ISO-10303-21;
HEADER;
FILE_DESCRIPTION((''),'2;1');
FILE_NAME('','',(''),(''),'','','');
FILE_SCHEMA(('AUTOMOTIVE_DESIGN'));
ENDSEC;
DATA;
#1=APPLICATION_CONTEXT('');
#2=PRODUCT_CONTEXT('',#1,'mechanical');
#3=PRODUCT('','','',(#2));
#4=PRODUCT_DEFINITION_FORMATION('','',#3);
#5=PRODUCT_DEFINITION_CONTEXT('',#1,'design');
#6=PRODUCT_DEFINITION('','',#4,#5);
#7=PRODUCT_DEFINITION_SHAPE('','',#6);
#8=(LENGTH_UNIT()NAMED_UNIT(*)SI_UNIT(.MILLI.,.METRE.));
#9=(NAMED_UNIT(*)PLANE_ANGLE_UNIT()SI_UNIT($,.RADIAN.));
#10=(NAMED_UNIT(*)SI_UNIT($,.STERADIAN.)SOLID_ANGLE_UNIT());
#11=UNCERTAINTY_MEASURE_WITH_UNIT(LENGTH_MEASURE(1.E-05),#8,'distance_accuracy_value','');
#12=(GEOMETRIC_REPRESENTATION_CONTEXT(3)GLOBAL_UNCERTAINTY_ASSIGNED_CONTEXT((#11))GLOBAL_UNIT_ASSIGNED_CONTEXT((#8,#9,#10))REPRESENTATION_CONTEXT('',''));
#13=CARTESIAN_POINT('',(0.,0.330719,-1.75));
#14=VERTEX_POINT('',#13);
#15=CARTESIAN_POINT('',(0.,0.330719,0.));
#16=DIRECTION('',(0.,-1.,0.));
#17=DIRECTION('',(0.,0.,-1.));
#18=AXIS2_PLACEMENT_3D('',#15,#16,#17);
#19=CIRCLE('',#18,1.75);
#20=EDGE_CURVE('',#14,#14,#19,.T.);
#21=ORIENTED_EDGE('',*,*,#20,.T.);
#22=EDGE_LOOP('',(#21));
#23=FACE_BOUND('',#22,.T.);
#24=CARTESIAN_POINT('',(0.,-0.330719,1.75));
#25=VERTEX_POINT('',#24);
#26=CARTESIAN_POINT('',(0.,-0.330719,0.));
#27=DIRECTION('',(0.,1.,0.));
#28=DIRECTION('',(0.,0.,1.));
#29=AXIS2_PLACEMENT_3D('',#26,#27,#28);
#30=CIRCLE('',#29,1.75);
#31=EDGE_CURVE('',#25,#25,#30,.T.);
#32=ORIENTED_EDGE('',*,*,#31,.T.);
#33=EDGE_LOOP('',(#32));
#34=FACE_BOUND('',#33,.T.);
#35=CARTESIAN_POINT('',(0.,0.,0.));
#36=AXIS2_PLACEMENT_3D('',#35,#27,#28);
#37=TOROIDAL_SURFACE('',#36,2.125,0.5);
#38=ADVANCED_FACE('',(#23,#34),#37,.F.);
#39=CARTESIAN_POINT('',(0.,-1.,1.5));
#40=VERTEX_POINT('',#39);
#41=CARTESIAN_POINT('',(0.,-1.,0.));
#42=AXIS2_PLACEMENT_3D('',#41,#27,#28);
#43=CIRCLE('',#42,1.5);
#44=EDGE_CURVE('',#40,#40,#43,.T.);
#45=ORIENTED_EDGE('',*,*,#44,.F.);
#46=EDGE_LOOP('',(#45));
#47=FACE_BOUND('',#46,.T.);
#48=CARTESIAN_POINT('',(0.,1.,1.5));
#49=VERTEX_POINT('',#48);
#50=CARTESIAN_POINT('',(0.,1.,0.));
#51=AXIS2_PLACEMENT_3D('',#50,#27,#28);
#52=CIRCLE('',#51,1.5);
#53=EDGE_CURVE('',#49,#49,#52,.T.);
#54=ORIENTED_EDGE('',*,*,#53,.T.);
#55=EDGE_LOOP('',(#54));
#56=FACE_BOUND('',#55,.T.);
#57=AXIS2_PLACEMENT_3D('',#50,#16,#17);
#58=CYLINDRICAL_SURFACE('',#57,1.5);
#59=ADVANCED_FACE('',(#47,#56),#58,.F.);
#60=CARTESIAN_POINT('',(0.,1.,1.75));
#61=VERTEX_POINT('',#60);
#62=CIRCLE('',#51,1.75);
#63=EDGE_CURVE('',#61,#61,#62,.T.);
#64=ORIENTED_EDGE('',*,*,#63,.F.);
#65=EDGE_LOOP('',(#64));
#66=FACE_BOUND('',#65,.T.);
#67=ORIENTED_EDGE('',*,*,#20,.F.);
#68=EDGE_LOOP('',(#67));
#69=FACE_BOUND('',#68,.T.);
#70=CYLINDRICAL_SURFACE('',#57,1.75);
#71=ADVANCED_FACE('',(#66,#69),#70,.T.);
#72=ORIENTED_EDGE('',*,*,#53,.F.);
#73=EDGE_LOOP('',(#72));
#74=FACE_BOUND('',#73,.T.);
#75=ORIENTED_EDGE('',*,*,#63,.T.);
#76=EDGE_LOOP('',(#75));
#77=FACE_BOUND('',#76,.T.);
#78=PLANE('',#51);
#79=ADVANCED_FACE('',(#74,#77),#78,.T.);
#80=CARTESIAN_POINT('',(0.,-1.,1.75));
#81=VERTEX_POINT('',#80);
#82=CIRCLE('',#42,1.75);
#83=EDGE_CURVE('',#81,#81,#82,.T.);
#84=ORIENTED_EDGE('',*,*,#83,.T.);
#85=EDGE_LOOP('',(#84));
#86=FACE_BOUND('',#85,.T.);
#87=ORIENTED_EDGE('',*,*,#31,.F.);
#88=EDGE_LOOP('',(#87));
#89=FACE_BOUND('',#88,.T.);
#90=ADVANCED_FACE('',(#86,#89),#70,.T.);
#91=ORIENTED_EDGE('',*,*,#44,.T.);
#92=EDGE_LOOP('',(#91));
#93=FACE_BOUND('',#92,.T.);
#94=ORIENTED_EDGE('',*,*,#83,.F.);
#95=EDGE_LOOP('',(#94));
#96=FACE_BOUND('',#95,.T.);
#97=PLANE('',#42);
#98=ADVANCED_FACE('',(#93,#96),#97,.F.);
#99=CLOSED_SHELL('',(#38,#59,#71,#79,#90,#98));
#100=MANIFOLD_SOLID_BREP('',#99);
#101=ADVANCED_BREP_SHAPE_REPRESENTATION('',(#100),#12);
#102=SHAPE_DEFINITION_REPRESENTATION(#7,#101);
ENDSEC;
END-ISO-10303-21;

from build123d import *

# Parameters (mm, degrees)
DIAPROFILES_R         = 1.75
DIAPROFILES_R_2       = 1.5
DIAPROFILE_DEPTH      = 1
BEARINGPATHPROFILES_R = 0.5


with BuildPart() as part:
    # DiaProfileS → DiaProfile (new body, symmetric)
    with BuildSketch(Plane(origin=(0, 0, 0), x_dir=(1, 0, 0), z_dir=(0, 1, 0))):
        Circle(DIAPROFILES_R)
        Circle(DIAPROFILES_R_2, mode=Mode.SUBTRACT)
    extrude(amount=DIAPROFILE_DEPTH, both=True)

    # BearingPathProfileS → BearingPathProfile (revolve, cut)
    with BuildSketch(Plane.XY):
        with Locations((2.125, 0)):
            Circle(BEARINGPATHPROFILES_R)
    revolve(axis=Axis((0, 1, 0), (0, -1, 0)), mode=Mode.SUBTRACT)


solid = part.part
